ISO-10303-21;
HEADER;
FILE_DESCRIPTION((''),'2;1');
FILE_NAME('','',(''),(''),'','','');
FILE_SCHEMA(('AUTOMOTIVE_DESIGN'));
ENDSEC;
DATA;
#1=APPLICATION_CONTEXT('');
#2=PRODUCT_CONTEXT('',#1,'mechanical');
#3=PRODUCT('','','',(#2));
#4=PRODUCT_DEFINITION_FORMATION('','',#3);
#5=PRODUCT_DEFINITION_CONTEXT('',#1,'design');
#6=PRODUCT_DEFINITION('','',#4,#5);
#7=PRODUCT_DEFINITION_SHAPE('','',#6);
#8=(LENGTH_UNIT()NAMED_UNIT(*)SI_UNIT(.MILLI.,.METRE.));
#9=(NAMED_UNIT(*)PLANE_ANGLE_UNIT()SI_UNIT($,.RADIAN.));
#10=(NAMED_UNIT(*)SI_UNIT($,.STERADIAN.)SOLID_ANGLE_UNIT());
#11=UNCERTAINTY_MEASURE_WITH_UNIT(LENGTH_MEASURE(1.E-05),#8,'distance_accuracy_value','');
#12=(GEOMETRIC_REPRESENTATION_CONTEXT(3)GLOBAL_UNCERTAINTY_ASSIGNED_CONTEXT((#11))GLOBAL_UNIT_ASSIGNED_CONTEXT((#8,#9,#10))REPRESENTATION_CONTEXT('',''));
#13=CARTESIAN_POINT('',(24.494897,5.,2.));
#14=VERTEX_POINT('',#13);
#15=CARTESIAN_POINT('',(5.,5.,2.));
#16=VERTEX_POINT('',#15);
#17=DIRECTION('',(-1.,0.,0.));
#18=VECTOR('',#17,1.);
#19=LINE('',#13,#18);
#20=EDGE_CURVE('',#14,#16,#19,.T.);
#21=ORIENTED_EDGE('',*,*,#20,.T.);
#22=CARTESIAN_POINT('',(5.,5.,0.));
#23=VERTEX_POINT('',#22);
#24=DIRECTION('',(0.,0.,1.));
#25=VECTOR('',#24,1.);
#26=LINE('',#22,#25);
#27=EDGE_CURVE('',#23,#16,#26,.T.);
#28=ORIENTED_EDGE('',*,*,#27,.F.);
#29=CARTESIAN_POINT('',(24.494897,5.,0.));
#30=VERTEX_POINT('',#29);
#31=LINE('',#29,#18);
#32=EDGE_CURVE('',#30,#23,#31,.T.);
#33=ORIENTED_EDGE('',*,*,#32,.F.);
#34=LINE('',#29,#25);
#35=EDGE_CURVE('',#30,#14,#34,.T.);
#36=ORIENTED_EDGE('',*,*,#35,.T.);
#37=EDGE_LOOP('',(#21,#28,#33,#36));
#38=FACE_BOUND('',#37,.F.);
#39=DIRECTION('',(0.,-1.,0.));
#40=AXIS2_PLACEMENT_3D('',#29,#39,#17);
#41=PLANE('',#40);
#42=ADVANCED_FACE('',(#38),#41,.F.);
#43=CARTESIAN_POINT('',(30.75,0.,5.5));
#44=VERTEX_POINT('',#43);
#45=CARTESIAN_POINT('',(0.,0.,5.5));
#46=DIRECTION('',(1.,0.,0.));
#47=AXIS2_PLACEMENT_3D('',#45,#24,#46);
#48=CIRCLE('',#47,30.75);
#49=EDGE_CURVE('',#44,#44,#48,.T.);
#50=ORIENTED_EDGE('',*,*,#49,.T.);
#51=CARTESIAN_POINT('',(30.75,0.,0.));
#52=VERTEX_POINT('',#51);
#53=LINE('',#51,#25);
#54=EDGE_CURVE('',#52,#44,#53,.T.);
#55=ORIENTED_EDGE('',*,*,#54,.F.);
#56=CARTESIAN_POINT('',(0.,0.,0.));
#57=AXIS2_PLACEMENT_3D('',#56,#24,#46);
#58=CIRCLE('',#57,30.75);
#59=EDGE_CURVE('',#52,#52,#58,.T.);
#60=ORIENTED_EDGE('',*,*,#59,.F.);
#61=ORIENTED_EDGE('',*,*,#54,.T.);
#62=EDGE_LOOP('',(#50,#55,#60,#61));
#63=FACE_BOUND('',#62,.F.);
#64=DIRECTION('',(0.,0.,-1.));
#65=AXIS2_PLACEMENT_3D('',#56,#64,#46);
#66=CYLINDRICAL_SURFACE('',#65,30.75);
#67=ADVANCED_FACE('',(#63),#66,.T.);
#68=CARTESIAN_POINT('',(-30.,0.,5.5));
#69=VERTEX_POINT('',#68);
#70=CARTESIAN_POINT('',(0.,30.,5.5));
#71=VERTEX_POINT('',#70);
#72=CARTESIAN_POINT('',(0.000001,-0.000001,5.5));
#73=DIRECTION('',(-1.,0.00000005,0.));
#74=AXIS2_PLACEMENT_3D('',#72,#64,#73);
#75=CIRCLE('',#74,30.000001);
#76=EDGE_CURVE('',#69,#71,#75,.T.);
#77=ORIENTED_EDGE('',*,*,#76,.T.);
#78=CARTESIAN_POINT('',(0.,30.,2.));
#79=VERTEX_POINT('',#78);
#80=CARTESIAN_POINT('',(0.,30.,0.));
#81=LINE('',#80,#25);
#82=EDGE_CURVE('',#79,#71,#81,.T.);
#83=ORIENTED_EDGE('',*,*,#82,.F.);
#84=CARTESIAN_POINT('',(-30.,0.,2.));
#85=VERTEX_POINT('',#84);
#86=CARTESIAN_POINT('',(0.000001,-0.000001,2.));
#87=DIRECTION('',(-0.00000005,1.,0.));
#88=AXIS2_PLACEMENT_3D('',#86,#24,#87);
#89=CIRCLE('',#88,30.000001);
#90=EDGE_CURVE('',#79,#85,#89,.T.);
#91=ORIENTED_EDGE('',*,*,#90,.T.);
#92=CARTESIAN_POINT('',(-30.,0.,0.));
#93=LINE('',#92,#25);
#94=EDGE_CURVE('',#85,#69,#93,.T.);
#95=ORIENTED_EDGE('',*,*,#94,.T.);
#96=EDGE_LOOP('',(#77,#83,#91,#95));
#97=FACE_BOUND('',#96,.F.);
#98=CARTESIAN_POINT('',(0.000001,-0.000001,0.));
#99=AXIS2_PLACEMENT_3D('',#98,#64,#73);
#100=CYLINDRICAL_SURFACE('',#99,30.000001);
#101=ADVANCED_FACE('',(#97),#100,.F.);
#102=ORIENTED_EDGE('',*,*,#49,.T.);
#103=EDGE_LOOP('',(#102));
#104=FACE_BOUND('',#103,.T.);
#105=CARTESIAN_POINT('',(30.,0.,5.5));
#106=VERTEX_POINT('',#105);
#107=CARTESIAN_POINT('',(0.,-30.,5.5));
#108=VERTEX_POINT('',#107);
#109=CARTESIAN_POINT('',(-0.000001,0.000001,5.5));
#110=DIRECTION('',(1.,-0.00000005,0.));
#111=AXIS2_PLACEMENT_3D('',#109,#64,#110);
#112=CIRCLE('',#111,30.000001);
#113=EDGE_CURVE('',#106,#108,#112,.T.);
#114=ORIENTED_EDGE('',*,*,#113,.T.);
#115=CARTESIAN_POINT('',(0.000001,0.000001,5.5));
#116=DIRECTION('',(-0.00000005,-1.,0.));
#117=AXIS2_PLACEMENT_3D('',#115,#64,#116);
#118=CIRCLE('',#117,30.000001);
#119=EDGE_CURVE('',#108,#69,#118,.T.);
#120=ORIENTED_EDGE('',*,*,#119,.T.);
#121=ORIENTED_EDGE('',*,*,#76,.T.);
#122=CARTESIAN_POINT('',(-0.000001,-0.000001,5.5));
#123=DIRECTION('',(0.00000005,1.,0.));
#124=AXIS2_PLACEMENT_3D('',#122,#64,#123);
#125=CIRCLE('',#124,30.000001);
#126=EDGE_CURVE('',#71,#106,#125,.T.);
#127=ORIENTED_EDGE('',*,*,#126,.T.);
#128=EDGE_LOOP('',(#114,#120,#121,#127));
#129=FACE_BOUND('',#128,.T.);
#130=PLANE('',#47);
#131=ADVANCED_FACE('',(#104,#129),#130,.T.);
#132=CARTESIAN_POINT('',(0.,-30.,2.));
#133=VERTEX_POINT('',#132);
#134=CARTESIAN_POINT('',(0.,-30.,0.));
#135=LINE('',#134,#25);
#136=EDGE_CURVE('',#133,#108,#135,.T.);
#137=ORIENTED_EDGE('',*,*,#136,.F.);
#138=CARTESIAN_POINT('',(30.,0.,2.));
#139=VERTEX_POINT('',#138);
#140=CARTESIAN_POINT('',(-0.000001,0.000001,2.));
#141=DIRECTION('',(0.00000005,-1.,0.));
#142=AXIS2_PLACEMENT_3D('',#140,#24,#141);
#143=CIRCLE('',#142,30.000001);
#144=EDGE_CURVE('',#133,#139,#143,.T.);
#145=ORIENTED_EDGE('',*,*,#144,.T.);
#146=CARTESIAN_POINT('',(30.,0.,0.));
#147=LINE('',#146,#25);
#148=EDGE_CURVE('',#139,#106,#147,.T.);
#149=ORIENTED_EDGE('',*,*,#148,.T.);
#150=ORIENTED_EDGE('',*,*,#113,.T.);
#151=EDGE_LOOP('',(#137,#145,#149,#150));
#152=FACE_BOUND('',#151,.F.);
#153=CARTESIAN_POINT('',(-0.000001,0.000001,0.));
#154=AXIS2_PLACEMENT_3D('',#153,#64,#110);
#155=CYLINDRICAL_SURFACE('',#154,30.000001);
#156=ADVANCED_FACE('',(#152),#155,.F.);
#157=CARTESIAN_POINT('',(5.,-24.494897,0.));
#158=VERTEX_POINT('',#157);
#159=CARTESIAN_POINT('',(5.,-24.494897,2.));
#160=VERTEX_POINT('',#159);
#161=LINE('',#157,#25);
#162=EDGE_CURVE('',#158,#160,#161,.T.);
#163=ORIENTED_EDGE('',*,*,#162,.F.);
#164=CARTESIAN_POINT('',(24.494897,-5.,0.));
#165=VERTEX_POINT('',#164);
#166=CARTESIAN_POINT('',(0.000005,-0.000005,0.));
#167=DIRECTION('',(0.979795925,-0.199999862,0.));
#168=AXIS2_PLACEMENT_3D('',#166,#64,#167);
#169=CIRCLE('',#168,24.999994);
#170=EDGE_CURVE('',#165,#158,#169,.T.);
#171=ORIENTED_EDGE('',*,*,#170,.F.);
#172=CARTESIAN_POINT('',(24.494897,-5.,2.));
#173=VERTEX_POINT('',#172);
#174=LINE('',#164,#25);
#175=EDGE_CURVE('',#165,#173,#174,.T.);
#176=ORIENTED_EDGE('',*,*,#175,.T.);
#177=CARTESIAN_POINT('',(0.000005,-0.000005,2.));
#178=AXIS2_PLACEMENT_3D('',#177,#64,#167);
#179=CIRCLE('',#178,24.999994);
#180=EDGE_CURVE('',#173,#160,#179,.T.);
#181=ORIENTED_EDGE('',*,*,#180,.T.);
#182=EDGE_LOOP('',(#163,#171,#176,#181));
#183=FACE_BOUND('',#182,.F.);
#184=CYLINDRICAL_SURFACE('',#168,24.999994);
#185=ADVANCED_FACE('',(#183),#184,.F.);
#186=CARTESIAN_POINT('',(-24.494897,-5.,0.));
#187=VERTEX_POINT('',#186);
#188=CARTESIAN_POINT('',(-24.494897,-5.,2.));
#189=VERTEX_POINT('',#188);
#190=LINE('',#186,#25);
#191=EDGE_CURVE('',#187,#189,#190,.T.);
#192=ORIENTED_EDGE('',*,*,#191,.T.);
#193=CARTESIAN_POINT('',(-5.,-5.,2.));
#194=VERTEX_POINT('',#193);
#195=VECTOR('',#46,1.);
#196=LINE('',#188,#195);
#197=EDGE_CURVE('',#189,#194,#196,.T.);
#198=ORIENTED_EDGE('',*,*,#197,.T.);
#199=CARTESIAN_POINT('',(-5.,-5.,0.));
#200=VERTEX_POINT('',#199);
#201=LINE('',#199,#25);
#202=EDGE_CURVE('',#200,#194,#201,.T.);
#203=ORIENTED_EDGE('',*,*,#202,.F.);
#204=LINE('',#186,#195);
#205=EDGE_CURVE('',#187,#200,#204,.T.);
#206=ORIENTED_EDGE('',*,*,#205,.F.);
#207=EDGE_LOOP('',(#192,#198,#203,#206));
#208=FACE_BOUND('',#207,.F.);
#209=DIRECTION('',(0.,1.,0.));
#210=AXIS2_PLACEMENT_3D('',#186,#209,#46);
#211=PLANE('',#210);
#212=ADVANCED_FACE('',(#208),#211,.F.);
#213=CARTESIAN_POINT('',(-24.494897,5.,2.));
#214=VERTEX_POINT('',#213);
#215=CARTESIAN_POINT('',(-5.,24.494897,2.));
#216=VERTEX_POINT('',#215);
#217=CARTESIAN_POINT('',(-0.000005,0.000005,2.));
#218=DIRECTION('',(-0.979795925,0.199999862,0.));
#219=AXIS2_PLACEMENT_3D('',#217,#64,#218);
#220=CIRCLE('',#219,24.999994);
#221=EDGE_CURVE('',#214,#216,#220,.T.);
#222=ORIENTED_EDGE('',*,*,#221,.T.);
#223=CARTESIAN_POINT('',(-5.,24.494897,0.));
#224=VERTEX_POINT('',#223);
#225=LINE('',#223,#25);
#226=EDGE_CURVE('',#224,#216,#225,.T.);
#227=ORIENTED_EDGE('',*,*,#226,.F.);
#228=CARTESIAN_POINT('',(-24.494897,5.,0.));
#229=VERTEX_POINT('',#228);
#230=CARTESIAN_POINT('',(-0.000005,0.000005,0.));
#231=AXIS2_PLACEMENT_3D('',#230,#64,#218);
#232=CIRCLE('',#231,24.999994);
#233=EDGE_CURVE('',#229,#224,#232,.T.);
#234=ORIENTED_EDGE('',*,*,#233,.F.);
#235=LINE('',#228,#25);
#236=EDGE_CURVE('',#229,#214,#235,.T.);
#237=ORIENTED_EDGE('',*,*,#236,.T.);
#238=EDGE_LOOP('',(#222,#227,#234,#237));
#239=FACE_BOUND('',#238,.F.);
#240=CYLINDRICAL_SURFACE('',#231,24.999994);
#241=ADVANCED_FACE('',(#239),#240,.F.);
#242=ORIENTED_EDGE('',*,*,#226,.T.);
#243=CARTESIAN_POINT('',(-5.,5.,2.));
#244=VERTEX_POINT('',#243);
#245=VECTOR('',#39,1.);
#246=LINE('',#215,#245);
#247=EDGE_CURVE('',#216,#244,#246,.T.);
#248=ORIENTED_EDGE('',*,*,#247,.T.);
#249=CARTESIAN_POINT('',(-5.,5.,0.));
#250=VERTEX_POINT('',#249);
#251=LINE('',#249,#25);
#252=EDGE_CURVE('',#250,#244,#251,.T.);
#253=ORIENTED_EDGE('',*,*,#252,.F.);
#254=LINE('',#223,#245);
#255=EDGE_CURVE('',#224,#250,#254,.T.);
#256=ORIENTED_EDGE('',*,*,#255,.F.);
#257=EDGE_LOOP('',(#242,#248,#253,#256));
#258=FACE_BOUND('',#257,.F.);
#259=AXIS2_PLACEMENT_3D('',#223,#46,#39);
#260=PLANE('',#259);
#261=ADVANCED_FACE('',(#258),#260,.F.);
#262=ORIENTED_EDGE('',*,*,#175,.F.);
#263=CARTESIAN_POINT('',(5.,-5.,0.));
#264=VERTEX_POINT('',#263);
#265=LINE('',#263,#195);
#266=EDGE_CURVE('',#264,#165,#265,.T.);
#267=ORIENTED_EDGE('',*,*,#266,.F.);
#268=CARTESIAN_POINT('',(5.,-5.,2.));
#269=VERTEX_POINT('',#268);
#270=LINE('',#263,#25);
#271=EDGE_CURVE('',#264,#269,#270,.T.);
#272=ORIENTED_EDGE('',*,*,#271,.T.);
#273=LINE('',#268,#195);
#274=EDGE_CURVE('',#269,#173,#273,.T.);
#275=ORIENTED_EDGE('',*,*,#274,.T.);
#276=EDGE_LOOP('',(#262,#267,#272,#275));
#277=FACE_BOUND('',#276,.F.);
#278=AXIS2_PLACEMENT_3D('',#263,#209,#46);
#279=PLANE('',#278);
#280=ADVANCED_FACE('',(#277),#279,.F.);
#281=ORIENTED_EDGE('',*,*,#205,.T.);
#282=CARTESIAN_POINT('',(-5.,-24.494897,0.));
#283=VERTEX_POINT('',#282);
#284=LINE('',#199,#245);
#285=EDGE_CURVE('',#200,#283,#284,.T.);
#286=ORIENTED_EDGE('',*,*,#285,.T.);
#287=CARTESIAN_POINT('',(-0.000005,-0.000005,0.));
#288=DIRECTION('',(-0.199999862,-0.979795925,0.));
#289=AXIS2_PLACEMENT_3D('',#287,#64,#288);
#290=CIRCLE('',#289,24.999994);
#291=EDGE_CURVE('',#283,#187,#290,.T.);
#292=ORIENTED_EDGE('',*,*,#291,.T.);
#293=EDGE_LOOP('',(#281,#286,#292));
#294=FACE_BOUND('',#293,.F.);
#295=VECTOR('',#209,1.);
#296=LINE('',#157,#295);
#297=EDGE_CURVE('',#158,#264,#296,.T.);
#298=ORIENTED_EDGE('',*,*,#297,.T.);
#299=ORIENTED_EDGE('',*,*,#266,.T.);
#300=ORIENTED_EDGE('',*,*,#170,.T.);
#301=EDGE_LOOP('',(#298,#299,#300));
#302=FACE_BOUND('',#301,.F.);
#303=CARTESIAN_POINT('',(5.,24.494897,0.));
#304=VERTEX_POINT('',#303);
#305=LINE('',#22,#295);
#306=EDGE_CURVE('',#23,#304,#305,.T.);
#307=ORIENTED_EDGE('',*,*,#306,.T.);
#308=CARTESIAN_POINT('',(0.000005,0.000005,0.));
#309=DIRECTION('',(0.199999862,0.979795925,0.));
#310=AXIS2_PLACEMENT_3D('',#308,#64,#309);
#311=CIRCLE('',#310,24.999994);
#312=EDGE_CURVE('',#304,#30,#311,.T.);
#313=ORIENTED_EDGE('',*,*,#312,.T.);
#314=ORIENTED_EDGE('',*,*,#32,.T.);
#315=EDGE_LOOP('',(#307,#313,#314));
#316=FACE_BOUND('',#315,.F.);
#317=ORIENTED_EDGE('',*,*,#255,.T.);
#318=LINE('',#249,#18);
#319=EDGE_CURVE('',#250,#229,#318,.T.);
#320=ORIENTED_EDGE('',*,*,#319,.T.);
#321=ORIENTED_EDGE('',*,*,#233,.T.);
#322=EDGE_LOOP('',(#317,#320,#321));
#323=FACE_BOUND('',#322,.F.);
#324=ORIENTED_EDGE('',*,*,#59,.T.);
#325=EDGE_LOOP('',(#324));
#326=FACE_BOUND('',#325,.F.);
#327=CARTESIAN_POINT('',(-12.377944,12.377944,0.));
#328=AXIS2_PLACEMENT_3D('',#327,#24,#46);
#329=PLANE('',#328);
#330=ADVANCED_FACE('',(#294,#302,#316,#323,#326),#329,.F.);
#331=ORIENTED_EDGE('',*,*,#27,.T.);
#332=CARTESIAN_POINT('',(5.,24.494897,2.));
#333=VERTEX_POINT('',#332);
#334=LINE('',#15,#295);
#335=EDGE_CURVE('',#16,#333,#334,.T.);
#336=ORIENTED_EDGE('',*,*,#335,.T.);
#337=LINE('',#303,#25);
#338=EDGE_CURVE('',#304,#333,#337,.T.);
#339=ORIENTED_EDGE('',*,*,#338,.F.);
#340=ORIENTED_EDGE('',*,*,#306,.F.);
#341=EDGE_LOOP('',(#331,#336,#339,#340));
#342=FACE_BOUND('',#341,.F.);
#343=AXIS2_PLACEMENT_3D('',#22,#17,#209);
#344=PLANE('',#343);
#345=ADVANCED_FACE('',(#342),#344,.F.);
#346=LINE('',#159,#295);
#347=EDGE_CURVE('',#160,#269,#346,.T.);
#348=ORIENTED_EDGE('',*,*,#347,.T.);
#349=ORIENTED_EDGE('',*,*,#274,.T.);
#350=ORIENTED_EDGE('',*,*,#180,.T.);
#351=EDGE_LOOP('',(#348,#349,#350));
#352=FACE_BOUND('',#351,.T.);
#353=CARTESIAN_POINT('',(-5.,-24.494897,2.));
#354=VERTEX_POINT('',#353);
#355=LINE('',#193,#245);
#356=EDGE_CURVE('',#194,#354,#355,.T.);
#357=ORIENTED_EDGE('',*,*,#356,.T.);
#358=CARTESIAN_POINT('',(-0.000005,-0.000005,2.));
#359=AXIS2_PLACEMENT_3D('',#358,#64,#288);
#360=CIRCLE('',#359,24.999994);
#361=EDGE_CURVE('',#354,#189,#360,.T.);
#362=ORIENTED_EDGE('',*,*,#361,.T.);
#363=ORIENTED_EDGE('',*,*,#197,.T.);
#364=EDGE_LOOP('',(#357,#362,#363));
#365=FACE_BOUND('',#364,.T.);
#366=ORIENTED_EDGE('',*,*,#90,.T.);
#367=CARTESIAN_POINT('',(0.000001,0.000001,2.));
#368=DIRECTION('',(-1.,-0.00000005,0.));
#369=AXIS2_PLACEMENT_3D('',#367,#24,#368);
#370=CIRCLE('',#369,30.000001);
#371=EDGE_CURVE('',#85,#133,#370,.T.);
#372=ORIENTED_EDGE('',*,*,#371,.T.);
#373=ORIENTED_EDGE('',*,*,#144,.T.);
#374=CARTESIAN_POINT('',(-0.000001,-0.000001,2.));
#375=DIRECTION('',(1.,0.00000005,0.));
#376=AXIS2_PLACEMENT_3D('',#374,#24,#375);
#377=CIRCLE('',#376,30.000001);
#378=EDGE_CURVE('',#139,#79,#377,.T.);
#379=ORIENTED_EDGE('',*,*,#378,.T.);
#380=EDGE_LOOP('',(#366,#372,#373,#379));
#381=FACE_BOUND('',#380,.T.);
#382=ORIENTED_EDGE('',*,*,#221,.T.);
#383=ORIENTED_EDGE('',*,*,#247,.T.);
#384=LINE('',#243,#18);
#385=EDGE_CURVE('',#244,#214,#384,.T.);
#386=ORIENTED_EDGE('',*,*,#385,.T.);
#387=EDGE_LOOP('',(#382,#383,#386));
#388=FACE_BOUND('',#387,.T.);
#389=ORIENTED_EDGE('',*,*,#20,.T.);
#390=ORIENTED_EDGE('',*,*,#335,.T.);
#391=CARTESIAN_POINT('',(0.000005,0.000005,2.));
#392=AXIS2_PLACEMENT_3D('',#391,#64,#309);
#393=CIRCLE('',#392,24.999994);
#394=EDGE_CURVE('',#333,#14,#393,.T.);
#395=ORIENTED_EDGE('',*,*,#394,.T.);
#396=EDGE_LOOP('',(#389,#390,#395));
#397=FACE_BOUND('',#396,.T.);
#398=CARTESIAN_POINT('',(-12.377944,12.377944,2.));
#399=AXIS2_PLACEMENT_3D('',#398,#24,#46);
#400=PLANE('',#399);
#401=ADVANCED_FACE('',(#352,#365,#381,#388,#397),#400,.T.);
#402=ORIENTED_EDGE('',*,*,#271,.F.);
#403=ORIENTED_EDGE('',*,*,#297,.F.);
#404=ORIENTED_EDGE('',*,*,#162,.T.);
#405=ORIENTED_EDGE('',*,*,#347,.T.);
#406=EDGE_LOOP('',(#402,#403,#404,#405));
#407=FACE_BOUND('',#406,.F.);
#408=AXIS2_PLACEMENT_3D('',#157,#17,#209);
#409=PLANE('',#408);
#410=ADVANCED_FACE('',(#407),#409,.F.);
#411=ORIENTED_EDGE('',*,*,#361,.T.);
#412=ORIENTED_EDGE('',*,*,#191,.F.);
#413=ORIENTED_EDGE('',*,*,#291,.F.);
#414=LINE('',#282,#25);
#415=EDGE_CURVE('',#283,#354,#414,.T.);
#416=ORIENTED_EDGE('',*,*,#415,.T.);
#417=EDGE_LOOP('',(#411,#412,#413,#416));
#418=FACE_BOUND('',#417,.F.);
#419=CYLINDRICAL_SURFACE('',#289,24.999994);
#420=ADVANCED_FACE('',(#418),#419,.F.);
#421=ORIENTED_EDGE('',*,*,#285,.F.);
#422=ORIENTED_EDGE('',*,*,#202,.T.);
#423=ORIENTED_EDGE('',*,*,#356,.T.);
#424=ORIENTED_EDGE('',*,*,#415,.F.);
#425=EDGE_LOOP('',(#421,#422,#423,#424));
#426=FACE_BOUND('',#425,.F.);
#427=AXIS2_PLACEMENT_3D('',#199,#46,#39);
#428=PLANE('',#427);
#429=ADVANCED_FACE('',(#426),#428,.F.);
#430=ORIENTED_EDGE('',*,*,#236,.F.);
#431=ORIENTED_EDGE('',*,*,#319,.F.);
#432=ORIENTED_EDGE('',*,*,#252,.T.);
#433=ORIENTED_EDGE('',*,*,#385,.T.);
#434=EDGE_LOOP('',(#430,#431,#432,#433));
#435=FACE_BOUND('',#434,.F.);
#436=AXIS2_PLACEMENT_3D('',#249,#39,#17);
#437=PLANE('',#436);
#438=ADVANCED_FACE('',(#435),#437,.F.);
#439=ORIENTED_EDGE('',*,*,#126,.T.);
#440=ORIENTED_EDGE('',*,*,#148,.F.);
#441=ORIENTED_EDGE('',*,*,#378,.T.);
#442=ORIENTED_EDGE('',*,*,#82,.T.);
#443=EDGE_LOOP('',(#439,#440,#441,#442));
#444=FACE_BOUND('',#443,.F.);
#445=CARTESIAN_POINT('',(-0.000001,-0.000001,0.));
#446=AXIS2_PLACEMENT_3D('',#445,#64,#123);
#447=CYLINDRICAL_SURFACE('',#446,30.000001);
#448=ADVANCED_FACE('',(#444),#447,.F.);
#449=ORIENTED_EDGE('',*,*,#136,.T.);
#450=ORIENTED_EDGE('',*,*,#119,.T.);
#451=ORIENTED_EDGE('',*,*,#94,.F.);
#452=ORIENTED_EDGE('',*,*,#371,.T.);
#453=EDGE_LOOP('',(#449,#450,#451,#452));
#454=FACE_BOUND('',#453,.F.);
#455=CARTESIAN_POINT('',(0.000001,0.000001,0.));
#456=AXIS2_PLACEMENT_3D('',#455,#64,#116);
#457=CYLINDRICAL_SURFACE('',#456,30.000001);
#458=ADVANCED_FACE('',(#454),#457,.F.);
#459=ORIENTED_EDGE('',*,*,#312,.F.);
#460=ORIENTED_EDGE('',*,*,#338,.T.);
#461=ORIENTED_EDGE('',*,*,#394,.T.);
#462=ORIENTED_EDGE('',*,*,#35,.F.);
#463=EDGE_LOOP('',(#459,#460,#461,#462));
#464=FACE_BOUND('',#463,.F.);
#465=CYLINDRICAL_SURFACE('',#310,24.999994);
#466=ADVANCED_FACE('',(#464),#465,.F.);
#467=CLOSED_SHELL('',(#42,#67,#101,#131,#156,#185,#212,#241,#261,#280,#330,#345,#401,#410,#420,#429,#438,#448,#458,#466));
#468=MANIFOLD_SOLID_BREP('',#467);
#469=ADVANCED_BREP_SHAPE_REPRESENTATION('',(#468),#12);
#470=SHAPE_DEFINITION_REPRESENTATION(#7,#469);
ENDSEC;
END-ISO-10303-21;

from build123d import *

# Parameters (mm, degrees)
F0_R     = 30.75
F1_DEPTH = 5.5
F2_DEPTH = 2


with BuildPart() as f1:
    # F0 (on Top) → F1 (new body)
    with BuildSketch(Plane.XY):
        Circle(F0_R)
        with BuildLine():
            ThreePointArc((0, -30), (-21.213203, -21.213203), (-30, 0))
            ThreePointArc((-30, 0), (-21.213203, 21.213203), (0, 30))
            ThreePointArc((0, 30), (21.213203, 21.213203), (30, 0))
            ThreePointArc((30, 0), (21.213203, -21.213203), (0, -30))
        make_face(mode=Mode.SUBTRACT)
    extrude(amount=F1_DEPTH)

    # F0 (on Top) → F2 (join)
    with BuildSketch(Plane.XY):
        with BuildLine():
            Line((-30, 0), (0, 0))
            Line((0, 0), (0, 30))
            ThreePointArc((0, 30), (-21.213203, 21.213203), (-30, 0))
        make_face()
        with BuildLine():
            Line((-5, 24.494897), (-5, 5))
            Line((-5, 5), (-24.494897, 5))
            ThreePointArc((-24.494897, 5), (-17.67767, 17.67767), (-5, 24.494897))
        make_face(mode=Mode.SUBTRACT)
        with BuildLine():
            Line((0, 30), (0, 0))
            Line((0, 0), (30, 0))
            ThreePointArc((30, 0), (21.213203, 21.213203), (0, 30))
        make_face()
        with BuildLine():
            Line((24.494897, 5), (5, 5))
            Line((5, 5), (5, 24.494897))
            ThreePointArc((5, 24.494897), (17.67767, 17.67767), (24.494897, 5))
        make_face(mode=Mode.SUBTRACT)
        with BuildLine():
            Line((30, 0), (0, 0))
            Line((0, 0), (0, -30))
            ThreePointArc((0, -30), (21.213203, -21.213203), (30, 0))
        make_face()
        with BuildLine():
            Line((5, -24.494897), (5, -5))
            Line((5, -5), (24.494897, -5))
            ThreePointArc((24.494897, -5), (17.67767, -17.67767), (5, -24.494897))
        make_face(mode=Mode.SUBTRACT)
        with BuildLine():
            Line((0, -30), (0, 0))
            Line((0, 0), (-30, 0))
            ThreePointArc((-30, 0), (-21.213203, -21.213203), (0, -30))
        make_face()
        with BuildLine():
            Line((-24.494897, -5), (-5, -5))
            Line((-5, -5), (-5, -24.494897))
            ThreePointArc((-5, -24.494897), (-17.67767, -17.67767), (-24.494897, -5))
        make_face(mode=Mode.SUBTRACT)
    extrude(amount=F2_DEPTH)


solid = f1.part
